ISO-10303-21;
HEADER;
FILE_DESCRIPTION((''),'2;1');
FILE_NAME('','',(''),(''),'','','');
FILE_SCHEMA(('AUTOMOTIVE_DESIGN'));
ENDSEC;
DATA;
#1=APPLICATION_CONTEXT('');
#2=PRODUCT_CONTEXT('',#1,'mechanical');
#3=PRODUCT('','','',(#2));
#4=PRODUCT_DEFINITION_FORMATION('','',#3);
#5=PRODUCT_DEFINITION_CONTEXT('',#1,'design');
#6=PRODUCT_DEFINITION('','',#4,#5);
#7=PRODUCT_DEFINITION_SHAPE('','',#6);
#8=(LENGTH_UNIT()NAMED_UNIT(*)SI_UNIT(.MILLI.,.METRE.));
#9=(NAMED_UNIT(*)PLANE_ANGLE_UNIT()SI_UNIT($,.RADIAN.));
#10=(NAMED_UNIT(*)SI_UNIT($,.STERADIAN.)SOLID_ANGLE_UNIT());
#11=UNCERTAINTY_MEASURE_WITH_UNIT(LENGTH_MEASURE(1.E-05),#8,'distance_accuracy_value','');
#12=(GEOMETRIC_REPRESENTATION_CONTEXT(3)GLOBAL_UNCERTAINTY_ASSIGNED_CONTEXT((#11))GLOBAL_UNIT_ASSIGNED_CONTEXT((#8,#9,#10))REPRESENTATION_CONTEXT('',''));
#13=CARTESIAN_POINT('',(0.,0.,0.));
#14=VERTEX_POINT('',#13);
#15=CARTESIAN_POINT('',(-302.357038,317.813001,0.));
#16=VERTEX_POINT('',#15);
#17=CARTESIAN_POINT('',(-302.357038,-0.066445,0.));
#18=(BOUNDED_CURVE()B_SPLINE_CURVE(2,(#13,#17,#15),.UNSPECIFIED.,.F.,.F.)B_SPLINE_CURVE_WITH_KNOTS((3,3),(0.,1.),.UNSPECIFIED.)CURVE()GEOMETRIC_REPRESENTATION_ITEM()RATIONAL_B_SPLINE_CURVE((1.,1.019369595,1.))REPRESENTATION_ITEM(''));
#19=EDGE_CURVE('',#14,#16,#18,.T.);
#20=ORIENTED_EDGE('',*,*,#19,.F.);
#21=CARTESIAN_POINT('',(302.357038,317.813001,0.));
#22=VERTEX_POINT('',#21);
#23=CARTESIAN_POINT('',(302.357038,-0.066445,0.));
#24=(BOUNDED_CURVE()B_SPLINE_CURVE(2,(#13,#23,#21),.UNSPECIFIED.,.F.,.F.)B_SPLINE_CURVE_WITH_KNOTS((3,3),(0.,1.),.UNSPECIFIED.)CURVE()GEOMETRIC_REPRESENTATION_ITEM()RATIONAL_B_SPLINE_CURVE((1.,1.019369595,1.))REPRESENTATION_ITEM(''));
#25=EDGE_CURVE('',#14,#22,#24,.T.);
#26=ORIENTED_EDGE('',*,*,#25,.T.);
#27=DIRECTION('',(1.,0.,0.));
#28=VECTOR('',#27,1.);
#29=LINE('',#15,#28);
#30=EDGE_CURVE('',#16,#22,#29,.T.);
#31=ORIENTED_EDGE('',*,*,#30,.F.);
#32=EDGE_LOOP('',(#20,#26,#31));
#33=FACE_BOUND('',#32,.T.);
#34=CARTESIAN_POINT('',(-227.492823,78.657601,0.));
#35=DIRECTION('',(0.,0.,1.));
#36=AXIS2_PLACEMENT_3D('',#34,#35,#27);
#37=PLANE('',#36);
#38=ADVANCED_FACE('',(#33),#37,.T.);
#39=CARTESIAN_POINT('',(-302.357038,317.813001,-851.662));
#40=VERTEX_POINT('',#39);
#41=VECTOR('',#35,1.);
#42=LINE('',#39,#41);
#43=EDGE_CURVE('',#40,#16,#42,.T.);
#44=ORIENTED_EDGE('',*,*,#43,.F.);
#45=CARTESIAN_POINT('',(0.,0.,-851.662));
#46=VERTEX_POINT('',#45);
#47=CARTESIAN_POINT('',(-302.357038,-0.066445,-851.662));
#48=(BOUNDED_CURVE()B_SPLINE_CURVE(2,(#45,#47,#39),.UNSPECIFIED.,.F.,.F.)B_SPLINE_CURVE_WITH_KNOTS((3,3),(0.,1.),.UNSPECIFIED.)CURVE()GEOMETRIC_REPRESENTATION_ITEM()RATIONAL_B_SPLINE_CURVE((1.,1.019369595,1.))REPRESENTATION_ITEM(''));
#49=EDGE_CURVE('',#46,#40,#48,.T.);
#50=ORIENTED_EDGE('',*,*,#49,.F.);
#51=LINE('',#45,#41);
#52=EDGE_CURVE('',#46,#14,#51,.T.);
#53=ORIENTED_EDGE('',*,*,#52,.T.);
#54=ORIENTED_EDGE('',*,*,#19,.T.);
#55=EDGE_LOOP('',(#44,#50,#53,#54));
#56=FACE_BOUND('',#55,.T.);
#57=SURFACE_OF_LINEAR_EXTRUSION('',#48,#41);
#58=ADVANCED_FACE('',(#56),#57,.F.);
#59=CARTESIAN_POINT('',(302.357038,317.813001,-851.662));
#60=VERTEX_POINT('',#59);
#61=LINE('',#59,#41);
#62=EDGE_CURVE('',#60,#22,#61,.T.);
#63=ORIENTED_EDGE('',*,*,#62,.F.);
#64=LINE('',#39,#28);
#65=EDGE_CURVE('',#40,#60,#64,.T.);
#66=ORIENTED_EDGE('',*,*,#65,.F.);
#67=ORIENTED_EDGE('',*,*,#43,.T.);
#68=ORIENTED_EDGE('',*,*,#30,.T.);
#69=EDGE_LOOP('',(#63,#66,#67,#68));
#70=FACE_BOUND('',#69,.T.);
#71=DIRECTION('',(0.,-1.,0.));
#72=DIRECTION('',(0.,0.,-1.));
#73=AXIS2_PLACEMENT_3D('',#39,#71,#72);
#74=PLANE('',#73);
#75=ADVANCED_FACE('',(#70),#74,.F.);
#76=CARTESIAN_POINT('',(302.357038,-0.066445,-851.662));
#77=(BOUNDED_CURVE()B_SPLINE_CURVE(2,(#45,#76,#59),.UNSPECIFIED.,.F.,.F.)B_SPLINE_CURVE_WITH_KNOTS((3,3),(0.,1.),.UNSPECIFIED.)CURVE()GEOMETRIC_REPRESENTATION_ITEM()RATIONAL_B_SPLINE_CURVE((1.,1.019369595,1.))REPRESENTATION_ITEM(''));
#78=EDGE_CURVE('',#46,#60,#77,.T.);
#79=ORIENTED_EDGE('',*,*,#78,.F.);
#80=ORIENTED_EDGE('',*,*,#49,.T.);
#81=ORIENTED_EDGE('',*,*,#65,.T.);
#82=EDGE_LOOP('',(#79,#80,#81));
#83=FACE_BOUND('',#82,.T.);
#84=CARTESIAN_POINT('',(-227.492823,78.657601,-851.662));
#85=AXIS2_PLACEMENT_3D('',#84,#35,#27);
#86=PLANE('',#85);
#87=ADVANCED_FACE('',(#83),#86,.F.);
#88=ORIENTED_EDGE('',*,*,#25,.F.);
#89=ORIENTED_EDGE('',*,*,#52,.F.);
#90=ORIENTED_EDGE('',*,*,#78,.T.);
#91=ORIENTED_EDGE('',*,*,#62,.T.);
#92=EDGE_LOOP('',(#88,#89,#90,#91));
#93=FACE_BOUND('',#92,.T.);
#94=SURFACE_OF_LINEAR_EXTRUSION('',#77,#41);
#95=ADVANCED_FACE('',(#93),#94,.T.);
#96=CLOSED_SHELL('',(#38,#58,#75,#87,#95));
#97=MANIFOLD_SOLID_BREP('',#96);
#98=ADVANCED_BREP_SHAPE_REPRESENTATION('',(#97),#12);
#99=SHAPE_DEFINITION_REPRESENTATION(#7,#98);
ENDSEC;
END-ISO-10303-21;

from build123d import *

# Parameters (mm, degrees)
BOSS_EXTRUDE1_DEPTH = 851.662


with BuildPart() as part:
    # Sketch1 → Boss-Extrude1 (new body)
    with BuildSketch(Plane.XY):
        with BuildLine():
            Line((-302.357037841, 317.813001305), (302.357037841, 317.813001305))
            add(Edge.make_bspline(
                [(0, 0), (302.357037841, -0.066445002), (302.357037841, 317.813001305)],
                knots=[0, 0, 0, 1, 1, 1], degree=2, weights=[1, 1.019369595, 1]))
            add(Edge.make_bspline(
                [(0, 0), (-302.357037841, -0.066445002), (-302.357037841, 317.813001305)],
                knots=[0, 0, 0, 1, 1, 1], degree=2, weights=[1, 1.019369595, 1]))
        make_face()
    extrude(amount=-BOSS_EXTRUDE1_DEPTH)


solid = part.part
